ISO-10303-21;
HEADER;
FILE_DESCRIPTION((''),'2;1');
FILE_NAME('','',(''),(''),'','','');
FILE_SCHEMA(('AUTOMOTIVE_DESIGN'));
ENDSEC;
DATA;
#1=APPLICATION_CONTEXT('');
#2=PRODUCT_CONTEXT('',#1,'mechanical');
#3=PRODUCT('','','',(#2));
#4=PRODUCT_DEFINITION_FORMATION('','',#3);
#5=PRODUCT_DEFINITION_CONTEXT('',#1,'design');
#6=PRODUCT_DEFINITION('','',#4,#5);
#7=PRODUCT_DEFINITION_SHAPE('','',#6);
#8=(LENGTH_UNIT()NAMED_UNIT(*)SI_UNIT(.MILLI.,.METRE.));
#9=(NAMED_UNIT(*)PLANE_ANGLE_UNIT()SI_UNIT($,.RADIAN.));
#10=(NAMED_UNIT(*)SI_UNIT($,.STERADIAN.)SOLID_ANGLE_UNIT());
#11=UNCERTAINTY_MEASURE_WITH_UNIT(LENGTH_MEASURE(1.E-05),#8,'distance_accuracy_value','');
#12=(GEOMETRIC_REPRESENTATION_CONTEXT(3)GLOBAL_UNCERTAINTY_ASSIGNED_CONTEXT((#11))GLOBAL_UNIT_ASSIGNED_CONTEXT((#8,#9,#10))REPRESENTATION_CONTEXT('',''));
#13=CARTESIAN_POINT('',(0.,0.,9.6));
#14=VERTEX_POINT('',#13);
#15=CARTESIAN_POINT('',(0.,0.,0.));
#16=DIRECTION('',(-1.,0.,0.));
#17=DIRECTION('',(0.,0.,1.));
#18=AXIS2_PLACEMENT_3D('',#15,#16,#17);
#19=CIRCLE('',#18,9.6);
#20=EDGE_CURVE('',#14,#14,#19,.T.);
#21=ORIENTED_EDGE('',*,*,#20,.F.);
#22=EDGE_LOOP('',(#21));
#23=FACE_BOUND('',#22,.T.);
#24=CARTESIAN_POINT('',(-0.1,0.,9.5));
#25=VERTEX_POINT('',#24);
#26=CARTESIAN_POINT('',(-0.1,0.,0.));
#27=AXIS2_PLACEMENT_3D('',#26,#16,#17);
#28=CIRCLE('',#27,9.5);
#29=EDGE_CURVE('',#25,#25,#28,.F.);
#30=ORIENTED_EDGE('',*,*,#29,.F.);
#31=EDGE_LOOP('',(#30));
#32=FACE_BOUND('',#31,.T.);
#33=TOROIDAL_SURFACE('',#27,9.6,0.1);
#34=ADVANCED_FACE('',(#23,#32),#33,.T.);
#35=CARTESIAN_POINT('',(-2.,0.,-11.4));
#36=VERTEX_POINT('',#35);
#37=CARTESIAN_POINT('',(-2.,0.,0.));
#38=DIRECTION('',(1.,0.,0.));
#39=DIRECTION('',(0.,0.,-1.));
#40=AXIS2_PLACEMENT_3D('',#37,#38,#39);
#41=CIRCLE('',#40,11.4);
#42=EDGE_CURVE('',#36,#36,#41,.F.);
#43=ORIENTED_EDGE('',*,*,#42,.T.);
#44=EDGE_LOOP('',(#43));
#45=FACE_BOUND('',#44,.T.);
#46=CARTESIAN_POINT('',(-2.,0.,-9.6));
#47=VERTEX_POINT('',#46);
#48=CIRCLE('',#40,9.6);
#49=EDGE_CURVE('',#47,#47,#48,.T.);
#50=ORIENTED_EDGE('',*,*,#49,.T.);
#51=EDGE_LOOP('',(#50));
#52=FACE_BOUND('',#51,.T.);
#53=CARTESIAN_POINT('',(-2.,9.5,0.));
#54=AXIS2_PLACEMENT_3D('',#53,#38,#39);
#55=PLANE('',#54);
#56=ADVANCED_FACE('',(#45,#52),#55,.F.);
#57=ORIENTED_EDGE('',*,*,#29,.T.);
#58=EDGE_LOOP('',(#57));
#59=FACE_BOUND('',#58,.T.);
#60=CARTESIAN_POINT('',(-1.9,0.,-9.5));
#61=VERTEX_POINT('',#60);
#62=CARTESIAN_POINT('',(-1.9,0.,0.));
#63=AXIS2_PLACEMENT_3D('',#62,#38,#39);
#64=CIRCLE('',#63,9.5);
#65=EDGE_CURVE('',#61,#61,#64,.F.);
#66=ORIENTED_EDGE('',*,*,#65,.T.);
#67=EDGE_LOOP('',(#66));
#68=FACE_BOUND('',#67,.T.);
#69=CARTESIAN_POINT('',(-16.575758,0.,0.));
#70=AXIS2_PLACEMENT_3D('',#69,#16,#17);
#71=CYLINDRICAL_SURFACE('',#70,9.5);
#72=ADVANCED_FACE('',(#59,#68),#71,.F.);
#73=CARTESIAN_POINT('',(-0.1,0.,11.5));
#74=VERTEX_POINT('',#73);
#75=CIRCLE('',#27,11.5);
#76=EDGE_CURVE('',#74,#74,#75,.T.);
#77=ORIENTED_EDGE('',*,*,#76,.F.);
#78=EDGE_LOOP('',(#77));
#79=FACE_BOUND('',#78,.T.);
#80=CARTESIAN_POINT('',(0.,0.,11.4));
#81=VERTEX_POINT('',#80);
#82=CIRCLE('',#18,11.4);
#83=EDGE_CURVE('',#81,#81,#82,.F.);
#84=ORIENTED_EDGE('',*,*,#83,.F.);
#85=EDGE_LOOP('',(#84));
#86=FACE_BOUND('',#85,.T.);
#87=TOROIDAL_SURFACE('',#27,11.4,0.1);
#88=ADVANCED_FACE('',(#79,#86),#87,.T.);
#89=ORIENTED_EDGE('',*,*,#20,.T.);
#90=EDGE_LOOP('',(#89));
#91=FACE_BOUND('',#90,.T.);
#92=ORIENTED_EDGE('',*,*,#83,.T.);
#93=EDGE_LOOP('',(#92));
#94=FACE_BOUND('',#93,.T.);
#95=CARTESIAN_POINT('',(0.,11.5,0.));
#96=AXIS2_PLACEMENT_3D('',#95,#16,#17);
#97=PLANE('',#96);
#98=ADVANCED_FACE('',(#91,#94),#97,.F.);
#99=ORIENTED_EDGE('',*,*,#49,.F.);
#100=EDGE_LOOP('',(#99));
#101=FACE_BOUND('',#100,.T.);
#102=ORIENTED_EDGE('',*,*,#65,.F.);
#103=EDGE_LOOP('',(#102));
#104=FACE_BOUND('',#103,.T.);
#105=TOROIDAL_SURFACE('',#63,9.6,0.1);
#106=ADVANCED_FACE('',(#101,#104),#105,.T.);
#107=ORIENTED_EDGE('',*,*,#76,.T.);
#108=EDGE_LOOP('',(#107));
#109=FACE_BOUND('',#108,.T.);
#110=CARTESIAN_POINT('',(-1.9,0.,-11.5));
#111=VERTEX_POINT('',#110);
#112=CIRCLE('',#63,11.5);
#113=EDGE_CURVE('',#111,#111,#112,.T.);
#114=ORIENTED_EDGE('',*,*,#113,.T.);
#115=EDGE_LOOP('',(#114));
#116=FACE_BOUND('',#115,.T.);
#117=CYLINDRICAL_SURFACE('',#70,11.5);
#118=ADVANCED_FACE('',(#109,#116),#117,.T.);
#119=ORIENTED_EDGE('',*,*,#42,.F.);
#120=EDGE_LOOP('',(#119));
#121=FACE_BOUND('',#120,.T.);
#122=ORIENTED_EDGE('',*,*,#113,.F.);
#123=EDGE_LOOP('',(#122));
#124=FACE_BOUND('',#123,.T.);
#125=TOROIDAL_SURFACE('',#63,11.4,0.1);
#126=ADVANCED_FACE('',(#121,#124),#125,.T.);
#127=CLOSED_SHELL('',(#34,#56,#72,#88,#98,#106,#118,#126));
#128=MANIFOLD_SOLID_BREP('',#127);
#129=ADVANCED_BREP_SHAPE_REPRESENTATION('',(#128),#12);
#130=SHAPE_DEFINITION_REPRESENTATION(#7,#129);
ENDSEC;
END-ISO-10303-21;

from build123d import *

# Parameters (mm, degrees)
SKETCH_1_W = 2
SKETCH_1_H = 2
FILLET_1_R = 0.1


with BuildPart() as part:
    # 草图1 → 旋转1 (revolve)
    with BuildSketch(Plane.XY, mode=Mode.PRIVATE) as revolve_1_sk:
        with Locations((-1, 10.5)):
            Rectangle(SKETCH_1_W, SKETCH_1_H)
    revolve(revolve_1_sk.sketch.rotate(Axis((-16.575757576, 0, 0), (1, 0, 0)), 90), axis=Axis((-16.575757576, 0, 0), (1, 0, 0)))

    # 圆角1
    fillet_1_edges = [part.edges().sort_by_distance(p)[0] for p in [
        (0, 0, -11.5),
        (-2, 0, -11.5),
        (-2, 0, -9.5),
        (0, 0, -9.5),
    ]]
    fillet(fillet_1_edges, radius=FILLET_1_R)


solid = part.part
